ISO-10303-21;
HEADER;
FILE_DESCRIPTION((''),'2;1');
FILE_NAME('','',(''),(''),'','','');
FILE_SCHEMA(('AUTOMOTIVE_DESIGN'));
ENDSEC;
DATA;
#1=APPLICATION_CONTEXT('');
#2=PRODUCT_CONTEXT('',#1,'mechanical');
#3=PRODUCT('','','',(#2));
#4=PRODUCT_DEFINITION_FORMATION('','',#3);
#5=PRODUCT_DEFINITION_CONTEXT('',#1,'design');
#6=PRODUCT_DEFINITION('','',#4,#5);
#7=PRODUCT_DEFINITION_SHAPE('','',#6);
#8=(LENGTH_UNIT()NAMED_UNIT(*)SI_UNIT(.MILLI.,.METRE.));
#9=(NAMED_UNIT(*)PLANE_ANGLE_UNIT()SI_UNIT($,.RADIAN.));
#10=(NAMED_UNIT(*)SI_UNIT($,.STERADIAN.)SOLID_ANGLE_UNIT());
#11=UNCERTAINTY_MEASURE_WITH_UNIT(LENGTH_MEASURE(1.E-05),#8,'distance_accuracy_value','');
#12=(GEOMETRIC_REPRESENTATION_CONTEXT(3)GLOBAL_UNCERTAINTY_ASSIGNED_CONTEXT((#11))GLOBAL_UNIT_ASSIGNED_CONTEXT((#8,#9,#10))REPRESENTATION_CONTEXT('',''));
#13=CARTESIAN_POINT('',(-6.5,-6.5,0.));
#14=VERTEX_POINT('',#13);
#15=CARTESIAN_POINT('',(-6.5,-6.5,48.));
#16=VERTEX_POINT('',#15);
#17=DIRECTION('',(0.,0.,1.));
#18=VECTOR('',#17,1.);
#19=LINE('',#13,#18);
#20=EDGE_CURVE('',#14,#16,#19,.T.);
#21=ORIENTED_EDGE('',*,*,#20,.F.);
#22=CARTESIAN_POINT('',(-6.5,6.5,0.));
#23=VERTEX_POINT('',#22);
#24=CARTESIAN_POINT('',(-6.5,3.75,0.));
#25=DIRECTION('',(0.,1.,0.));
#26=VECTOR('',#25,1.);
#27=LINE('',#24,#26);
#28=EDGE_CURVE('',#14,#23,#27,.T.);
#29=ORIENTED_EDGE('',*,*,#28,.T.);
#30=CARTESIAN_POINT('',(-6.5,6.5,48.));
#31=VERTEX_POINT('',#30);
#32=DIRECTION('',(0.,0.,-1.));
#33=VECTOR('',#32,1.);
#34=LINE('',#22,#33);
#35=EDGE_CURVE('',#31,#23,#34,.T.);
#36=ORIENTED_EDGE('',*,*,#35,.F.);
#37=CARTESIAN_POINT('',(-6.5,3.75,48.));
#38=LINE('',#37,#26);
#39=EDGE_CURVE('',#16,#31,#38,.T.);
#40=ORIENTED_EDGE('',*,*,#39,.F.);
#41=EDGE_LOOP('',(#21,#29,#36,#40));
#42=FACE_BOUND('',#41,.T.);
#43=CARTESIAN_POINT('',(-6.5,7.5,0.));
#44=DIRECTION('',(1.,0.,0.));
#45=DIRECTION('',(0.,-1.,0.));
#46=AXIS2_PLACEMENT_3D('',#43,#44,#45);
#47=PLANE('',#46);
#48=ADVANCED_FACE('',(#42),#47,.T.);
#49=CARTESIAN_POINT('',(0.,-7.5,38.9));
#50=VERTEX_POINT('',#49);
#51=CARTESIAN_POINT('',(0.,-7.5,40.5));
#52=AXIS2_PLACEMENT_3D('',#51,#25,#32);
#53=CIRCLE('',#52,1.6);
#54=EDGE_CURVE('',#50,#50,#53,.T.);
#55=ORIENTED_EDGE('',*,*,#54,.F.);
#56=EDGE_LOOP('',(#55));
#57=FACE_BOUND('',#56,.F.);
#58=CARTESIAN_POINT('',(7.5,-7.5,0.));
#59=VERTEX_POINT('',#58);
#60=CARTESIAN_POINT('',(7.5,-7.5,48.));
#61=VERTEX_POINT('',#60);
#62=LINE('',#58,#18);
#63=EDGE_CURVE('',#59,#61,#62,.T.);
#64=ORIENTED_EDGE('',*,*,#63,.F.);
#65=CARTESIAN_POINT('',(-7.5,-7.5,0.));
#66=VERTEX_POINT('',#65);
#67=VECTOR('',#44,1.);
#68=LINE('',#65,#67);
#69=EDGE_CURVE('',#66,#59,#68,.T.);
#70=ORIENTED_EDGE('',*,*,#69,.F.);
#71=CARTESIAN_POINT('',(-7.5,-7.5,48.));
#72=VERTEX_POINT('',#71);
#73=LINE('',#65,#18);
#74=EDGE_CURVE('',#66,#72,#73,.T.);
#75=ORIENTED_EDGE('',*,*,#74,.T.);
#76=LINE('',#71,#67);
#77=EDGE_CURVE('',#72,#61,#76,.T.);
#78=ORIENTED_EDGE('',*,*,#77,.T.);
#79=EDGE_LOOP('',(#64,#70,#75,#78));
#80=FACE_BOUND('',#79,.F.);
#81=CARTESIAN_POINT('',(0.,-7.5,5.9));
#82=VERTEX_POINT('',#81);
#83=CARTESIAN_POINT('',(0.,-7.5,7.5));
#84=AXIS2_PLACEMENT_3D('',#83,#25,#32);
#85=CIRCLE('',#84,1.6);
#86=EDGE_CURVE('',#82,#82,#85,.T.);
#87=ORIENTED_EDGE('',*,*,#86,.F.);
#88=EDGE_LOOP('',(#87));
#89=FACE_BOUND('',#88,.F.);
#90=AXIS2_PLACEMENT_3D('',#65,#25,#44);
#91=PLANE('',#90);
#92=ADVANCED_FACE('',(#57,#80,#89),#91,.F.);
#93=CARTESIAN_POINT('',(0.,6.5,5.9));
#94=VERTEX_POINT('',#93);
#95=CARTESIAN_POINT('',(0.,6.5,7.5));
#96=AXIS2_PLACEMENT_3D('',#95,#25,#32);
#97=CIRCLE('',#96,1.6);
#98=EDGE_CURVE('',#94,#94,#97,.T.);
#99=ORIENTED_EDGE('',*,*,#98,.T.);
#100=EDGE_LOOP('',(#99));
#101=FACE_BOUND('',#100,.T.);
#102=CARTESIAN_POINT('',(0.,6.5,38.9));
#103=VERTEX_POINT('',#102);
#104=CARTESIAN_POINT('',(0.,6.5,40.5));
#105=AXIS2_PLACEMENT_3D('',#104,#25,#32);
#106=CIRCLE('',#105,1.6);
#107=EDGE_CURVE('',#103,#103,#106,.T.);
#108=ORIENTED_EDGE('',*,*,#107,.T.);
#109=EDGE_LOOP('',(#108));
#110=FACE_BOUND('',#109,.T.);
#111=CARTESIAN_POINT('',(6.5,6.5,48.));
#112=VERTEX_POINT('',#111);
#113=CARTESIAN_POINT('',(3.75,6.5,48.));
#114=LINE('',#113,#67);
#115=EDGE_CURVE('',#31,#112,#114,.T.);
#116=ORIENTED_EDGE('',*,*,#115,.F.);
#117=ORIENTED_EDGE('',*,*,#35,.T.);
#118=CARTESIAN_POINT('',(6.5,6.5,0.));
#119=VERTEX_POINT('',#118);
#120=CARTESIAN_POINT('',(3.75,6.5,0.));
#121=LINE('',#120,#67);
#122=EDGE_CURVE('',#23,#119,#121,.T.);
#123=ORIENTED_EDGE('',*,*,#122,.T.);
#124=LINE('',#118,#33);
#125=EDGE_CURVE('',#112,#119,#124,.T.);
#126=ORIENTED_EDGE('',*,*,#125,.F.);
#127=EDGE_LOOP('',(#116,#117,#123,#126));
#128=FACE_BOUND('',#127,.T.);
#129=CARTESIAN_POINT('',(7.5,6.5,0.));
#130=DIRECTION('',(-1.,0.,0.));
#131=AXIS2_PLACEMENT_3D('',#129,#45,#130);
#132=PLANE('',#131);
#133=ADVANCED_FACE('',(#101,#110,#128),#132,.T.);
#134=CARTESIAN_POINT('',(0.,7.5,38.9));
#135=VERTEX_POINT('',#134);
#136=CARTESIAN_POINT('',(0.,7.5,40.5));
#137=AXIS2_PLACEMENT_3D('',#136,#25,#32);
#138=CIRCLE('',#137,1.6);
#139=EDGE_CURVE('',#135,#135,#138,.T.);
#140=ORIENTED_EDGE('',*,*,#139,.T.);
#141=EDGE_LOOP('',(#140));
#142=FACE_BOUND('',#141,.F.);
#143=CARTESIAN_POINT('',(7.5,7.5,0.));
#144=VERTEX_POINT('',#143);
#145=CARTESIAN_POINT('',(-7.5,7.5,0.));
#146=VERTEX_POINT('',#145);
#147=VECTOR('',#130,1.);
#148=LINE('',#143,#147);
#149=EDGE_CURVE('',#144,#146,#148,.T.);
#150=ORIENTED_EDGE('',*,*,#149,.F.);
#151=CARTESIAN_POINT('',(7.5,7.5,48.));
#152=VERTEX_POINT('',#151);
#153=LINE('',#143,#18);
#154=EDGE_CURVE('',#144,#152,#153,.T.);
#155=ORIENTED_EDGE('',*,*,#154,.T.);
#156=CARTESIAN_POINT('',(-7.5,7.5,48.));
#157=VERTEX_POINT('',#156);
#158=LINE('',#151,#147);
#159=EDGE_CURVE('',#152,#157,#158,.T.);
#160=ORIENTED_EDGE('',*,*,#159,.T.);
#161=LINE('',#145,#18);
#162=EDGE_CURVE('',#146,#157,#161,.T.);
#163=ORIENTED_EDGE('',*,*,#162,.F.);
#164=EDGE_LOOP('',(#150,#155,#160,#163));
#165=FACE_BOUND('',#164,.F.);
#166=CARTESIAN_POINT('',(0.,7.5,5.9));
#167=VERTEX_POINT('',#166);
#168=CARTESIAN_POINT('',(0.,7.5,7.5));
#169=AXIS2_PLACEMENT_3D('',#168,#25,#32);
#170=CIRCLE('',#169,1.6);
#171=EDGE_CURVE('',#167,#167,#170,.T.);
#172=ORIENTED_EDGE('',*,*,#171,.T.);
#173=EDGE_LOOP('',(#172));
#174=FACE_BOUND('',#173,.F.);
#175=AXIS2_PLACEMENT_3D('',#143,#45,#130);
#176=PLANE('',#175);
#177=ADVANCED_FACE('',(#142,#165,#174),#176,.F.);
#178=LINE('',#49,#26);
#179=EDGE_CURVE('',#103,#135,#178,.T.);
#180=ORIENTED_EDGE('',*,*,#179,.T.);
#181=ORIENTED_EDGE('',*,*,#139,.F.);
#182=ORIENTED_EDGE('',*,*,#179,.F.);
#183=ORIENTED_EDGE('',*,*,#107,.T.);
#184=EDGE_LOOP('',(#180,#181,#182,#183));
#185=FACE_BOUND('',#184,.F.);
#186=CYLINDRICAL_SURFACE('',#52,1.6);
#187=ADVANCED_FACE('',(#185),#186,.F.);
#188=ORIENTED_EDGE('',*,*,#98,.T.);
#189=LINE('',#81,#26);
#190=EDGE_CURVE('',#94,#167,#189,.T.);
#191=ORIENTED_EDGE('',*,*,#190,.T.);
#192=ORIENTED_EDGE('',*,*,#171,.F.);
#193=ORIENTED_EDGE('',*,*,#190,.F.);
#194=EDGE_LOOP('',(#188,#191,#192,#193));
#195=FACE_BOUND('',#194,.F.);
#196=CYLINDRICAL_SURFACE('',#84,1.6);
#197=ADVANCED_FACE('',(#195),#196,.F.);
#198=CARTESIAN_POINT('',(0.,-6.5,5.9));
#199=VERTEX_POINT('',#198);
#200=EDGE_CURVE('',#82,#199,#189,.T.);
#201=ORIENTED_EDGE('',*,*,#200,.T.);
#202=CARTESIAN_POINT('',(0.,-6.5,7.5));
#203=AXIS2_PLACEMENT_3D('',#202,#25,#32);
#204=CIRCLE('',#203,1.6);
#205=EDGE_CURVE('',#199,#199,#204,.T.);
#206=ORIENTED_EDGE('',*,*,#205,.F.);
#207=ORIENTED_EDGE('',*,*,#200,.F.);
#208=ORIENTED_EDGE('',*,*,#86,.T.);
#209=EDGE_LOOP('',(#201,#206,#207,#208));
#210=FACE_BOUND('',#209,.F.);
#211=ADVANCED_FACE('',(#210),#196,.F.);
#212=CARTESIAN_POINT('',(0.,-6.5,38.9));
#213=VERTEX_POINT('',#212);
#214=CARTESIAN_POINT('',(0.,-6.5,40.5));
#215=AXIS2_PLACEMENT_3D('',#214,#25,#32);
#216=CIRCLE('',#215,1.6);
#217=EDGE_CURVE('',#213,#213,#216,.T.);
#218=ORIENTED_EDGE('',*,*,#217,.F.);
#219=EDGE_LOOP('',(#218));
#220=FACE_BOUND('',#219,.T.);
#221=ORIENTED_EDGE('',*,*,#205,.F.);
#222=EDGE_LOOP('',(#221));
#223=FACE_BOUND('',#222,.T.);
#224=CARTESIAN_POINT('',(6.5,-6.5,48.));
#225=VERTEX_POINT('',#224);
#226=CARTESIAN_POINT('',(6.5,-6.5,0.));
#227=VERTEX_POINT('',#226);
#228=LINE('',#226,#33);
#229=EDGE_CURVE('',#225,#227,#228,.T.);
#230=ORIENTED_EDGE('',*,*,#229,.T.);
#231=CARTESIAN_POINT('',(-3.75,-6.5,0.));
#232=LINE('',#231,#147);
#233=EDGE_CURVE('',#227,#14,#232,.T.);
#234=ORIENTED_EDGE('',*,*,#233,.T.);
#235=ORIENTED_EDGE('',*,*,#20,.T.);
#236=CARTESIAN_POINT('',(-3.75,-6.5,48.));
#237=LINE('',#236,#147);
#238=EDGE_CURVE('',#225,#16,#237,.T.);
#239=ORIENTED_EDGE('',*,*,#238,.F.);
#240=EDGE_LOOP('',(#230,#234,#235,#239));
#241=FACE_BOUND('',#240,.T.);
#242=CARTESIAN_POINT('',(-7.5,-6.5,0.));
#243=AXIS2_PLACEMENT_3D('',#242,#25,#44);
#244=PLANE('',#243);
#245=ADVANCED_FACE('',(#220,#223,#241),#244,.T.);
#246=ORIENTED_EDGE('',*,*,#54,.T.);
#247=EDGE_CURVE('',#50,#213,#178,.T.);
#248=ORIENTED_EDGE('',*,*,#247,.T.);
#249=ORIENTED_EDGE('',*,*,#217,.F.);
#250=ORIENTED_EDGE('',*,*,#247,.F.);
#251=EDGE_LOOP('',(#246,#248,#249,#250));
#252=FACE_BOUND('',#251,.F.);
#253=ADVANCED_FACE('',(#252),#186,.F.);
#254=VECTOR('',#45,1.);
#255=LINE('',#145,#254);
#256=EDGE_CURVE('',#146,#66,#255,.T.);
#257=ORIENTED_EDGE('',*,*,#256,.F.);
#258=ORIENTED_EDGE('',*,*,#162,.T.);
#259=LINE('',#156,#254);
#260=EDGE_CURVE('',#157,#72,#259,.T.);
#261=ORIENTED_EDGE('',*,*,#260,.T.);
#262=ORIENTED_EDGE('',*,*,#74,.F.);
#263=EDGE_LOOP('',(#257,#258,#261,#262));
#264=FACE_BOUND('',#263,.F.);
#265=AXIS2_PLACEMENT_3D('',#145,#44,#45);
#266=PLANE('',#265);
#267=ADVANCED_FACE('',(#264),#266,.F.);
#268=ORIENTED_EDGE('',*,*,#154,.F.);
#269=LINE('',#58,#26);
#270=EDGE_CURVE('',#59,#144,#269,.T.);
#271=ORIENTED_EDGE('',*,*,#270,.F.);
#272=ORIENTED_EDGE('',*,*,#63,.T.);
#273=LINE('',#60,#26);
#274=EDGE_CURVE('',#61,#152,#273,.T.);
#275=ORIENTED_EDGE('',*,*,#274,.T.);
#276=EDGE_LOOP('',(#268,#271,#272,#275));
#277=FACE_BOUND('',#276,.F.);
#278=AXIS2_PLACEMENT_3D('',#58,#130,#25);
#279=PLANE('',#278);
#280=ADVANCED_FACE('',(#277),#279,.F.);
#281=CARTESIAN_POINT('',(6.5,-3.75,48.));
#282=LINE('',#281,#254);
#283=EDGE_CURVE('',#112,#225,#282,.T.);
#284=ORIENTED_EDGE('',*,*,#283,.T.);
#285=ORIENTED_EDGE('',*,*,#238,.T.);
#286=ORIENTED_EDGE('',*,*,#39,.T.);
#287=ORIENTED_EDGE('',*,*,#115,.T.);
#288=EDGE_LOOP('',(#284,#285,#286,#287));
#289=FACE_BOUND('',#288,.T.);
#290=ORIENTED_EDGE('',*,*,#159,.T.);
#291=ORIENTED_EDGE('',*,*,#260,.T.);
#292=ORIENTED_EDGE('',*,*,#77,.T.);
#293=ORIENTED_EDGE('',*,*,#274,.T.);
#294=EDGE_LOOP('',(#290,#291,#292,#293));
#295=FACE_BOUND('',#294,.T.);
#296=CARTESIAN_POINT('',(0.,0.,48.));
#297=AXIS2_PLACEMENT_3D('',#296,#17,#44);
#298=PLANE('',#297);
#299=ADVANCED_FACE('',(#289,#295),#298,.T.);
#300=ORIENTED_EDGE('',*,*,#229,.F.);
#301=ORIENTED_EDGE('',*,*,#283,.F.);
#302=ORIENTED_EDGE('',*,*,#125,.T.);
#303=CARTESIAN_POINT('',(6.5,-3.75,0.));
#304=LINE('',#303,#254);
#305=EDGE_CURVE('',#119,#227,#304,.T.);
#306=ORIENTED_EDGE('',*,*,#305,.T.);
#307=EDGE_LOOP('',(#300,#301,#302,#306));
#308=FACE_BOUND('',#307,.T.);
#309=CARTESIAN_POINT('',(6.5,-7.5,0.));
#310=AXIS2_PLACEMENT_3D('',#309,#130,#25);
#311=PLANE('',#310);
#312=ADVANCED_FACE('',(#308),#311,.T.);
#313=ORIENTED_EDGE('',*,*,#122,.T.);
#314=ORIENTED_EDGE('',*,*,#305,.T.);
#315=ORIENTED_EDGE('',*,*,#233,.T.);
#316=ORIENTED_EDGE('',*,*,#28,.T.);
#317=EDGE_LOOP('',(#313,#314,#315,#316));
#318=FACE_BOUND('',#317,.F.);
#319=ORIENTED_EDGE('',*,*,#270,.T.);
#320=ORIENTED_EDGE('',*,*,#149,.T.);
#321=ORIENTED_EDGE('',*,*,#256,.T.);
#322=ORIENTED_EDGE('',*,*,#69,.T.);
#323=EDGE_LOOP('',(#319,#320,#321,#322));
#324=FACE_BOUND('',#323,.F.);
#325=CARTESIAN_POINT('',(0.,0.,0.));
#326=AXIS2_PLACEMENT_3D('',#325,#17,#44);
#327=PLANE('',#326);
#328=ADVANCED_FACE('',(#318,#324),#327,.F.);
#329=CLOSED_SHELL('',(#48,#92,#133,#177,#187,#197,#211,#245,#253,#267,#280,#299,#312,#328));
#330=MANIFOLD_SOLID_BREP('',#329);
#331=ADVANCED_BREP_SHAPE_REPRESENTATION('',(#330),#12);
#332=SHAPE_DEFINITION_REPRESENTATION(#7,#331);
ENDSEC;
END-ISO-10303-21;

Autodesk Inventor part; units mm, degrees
ref_plane "YZ Plane" through (0, 0, 0) normal (1, 0, 0) x (0, 1, 0)
ref_plane "XZ Plane" through (0, 0, 0) normal (0, 1, 0) x (-1, 0, 0)
ref_plane "XY Plane" through (0, 0, 0) normal (0, 0, 1) x (1, 0, 0)
sketch "スケッチ1" plane through (0, 0, 0) normal (0, 0, 1) x (1, 0, 0)
  line L0 (-7.5, -7.5) -> (7.5, -7.5)
  line L1 (7.5, -7.5) -> (7.5, 7.5)
  line L2 (7.5, 7.5) -> (-7.5, 7.5)
  line L3 (-7.5, 7.5) -> (-7.5, -7.5)
  line L4 (-7.5, -7.5) -> (7.5, 7.5) construction
  line L5 (7.5, -7.5) -> (-7.5, 7.5) construction
  point P0 (0, 0)
  dimension "d0" = 15
  dimension "d1" = 15
extrude "押し出し1" add sketch "スケッチ1" along normal blind 48
shell "シェル1" thickness 1 removed faces 2 at (-2.5, 2.5, 0) at (-2.5, 2.5, 48)
sketch "スケッチ2" plane through (-7.5, -7.5, 0) normal (0, -1, 0) x (1, 0, 0)
  line L0 (0, 0) -> (15, 0) projected
  point P0 (7.5, 0)
  point P1 (7.5, 7.5)
  point P2 (7.5, 0)
  point P3 (7.5, 40.5)
  point P4 (7.5, 0)
  dimension "d5" = 7.5
  dimension "d13" = 33
hole "穴1" at (0, -7.5, 7.5) at (0, -7.5, 40.5) direction (0, 1, 0) diameter 3.2 end through all
properties part number "SlideHOLDsq"
